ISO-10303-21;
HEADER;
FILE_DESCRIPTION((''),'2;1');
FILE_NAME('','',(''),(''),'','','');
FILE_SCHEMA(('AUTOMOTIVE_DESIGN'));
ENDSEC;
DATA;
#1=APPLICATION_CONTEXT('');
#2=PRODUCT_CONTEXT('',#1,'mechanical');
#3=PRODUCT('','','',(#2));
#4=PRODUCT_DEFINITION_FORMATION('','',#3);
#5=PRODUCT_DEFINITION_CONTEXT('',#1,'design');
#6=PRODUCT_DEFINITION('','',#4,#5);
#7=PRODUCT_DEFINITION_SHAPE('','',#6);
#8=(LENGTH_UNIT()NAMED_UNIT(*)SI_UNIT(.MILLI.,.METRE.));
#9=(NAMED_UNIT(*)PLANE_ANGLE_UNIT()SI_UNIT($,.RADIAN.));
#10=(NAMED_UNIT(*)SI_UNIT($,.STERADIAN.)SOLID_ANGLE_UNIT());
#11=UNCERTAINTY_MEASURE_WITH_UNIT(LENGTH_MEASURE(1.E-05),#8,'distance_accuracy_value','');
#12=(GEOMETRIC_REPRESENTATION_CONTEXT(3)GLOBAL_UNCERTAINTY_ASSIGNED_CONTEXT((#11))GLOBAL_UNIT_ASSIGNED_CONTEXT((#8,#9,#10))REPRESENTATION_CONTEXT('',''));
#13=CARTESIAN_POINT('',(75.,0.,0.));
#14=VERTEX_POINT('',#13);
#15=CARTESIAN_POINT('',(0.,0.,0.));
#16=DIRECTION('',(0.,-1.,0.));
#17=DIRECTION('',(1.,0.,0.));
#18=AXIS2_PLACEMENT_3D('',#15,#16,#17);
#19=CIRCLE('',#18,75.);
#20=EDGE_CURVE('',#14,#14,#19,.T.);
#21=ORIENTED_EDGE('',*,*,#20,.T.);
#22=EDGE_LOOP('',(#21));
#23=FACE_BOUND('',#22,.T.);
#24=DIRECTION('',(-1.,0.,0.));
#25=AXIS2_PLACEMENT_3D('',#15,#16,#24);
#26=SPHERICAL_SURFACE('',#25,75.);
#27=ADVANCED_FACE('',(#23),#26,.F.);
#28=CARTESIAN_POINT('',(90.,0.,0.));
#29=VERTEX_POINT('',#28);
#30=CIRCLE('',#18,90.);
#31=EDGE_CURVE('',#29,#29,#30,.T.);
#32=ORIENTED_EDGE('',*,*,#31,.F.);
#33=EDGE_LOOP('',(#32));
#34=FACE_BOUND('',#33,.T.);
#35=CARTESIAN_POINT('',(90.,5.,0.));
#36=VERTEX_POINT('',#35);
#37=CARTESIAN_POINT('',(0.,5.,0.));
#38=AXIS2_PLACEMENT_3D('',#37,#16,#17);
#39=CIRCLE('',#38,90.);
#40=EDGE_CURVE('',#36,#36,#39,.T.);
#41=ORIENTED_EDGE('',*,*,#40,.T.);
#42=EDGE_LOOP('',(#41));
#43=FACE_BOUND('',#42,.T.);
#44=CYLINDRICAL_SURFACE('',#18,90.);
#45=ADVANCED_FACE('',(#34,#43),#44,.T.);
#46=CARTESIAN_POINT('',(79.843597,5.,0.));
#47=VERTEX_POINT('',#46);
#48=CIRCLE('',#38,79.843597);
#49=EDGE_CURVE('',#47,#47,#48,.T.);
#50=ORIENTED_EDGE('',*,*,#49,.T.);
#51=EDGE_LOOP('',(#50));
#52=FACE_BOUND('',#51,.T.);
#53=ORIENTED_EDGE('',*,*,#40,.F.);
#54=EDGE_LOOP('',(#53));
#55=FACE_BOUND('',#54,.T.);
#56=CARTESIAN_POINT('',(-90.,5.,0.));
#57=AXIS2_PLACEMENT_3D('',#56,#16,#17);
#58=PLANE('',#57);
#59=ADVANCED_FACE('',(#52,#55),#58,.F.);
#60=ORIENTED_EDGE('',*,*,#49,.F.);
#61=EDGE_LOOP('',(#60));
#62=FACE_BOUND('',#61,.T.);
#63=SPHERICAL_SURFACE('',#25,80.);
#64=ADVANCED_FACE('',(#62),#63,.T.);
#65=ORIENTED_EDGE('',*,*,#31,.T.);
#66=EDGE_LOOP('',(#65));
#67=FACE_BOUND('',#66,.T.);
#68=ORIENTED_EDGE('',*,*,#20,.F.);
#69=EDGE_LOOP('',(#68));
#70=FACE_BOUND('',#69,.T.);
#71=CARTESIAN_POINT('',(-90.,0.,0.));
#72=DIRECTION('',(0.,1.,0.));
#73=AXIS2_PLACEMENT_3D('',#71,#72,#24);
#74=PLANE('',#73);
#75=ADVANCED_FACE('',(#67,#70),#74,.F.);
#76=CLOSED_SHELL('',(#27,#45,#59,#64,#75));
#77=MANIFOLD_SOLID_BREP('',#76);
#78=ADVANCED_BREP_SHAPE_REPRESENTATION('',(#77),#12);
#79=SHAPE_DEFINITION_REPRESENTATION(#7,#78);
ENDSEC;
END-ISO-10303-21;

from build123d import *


with BuildPart() as part:
    # Sketch1 → Revolve1 (revolve)
    with BuildSketch(Plane.XY):
        with BuildLine():
            Line((-90, 0), (-90, 5))
            Line((-90, 5), (-79.843597113, 5))
            ThreePointArc((-79.843597113, 5), (-54.772255751, 58.309518948), (0, 80))
            Line((0, 80), (0, 75))
            ThreePointArc((0, 75), (-53.033008589, 53.033008589), (-75, 0))
            Line((-75, 0), (-90, 0))
        make_face()
    revolve(axis=Axis((0, 0, 0), (0, 1, 0)))


solid = part.part
